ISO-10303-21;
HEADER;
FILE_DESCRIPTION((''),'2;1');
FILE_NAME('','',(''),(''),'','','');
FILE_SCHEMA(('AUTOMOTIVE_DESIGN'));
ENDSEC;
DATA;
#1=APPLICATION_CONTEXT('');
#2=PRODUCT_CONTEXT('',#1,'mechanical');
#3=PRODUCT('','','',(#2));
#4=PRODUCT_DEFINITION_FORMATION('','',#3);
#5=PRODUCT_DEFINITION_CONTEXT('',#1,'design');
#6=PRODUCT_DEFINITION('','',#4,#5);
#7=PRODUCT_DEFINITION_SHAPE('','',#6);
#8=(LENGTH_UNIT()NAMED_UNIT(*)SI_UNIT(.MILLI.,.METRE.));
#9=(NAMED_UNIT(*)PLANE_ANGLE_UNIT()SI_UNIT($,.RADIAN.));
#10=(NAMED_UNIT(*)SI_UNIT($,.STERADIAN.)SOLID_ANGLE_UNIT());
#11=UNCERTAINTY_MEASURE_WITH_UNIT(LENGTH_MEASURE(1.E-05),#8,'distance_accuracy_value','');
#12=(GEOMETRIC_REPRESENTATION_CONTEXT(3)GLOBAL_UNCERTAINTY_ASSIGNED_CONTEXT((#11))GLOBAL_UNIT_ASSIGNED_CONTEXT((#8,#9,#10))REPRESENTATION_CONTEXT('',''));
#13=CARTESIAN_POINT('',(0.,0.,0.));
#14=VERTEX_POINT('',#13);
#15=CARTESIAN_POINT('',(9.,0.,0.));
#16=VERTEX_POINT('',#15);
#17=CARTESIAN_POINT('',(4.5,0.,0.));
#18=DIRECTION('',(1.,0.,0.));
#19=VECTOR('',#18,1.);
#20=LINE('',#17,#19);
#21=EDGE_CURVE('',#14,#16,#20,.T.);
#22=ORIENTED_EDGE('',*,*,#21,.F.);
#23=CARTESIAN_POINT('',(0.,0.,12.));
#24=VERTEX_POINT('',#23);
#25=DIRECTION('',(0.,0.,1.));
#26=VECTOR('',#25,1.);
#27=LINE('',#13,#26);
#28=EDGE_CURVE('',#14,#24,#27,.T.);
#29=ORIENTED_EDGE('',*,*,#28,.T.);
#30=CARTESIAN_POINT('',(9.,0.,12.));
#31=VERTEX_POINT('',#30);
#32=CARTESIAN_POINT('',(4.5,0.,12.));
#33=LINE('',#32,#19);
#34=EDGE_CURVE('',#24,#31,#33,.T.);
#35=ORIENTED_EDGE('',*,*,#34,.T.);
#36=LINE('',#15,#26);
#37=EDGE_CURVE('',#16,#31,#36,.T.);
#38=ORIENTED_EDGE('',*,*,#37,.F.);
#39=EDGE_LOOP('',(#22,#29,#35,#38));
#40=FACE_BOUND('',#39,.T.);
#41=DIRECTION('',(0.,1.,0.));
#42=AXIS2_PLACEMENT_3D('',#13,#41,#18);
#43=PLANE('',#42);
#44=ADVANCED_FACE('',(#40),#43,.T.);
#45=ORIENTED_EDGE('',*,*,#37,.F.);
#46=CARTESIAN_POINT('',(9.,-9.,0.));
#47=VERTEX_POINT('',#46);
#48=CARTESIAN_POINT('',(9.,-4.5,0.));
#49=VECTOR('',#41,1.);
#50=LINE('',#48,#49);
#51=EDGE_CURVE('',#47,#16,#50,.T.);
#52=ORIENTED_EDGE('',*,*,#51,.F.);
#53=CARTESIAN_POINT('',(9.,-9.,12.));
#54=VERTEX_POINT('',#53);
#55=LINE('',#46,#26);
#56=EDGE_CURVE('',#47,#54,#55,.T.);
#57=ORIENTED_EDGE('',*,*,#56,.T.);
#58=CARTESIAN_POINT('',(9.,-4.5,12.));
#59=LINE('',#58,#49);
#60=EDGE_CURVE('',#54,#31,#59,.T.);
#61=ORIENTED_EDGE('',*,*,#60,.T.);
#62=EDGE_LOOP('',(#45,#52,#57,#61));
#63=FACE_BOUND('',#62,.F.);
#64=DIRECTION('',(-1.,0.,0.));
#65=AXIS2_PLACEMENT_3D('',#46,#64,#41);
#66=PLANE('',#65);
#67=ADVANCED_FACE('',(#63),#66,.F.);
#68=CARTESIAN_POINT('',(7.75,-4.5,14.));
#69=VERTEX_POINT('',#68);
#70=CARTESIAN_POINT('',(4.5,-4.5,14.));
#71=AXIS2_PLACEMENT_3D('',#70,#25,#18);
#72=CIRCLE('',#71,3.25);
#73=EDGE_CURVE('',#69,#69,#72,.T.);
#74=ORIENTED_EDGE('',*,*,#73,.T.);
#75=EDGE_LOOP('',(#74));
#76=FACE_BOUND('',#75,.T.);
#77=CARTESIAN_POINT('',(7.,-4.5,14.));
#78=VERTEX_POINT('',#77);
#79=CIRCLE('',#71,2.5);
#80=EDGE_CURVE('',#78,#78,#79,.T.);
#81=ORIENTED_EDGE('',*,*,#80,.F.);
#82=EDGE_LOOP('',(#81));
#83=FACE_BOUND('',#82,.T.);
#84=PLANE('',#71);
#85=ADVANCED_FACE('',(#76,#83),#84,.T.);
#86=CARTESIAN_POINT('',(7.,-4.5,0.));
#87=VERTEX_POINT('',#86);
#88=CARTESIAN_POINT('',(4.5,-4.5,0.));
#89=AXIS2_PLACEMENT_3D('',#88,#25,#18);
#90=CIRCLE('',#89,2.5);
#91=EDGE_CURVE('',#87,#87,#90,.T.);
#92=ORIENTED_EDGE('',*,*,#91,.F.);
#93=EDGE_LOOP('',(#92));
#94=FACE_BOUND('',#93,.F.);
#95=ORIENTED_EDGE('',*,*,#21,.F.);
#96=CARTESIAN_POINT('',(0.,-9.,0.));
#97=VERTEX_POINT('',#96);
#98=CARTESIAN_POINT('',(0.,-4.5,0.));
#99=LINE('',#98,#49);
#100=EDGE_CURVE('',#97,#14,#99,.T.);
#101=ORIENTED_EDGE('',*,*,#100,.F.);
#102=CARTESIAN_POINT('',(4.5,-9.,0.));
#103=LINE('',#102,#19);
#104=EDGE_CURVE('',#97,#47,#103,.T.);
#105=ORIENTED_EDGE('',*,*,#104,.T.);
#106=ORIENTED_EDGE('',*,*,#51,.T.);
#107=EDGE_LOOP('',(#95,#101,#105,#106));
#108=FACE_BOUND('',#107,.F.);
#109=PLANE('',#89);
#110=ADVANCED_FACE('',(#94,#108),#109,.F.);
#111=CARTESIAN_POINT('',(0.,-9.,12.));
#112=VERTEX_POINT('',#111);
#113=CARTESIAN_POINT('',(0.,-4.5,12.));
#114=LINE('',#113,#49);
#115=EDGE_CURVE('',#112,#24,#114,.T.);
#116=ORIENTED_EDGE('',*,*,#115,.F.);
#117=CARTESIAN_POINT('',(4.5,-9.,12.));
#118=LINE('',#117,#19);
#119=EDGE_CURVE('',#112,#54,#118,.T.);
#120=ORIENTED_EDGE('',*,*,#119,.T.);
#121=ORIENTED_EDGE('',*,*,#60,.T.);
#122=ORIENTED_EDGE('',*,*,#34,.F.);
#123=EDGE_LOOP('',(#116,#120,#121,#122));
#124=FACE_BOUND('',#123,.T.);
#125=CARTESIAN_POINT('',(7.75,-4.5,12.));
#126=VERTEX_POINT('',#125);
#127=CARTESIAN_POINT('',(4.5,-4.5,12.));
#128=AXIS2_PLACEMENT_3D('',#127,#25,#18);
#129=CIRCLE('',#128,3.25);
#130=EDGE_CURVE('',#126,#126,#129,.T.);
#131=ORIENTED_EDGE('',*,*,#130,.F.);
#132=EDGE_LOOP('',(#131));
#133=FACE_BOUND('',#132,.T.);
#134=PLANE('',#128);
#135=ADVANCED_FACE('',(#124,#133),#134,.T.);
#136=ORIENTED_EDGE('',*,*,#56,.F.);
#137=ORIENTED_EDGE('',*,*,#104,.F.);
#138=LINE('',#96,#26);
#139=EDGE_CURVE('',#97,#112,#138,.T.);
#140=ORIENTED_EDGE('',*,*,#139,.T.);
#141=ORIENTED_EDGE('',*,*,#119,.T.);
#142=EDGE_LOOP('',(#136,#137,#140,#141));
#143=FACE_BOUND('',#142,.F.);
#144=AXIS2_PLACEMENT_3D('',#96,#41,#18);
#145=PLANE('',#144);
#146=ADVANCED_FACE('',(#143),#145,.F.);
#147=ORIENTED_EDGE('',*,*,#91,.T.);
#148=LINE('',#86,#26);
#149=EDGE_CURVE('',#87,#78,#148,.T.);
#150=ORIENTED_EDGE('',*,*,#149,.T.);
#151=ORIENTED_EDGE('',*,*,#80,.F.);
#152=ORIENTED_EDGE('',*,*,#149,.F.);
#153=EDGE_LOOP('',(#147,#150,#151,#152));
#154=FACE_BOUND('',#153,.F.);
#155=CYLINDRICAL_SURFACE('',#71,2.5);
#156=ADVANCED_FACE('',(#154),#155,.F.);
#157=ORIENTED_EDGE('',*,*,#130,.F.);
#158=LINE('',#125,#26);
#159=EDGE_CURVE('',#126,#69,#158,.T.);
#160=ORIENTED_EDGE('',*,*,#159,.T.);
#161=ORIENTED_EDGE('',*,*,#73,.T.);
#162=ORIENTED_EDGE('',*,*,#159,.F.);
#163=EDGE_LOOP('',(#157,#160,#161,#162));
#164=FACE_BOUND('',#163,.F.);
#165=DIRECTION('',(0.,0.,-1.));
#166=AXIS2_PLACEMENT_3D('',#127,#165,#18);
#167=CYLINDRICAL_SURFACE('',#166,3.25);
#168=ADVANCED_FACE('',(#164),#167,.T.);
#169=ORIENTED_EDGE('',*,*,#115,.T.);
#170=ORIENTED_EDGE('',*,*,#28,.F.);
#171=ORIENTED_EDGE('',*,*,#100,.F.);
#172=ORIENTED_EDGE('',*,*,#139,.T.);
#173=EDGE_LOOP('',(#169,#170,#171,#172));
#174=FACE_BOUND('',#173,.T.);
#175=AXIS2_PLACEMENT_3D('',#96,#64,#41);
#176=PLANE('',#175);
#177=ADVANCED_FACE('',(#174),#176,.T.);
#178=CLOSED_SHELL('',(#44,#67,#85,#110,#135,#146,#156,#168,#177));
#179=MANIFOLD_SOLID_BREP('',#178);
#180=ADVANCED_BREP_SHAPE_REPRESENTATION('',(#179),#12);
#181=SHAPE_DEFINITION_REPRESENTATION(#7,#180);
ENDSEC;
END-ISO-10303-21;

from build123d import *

# Parameters (mm, degrees)
SKETCH_W     = 9
SKETCH_H     = 9
SKETCH_R     = 2.5
PAD_DEPTH    = 12
SKETCH001_R  = 3.25
PAD001_DEPTH = 2
SKETCH002_R  = 2.5
POCKET_DEPTH = 2


with BuildPart() as part:
    # Sketch → Pad (new body)
    with BuildSketch(Plane.XY):
        with Locations((4.5, -4.5)):
            Rectangle(SKETCH_W, SKETCH_H)
        with Locations((4.5, -4.5)):
            Circle(SKETCH_R, mode=Mode.SUBTRACT)
    extrude(amount=PAD_DEPTH)

    # Sketch001 (on Face7 of Pad) → Pad001 (join)
    with BuildSketch(Plane.XY.offset(12)):
        with Locations((4.5, -4.5)):
            Circle(SKETCH001_R)
    extrude(amount=PAD001_DEPTH)

    # Sketch002 (on Face10 of Pad001) → Pocket (cut)
    with BuildSketch(Plane.XY.offset(14)):
        with Locations((4.5, -4.5)):
            Circle(SKETCH002_R)
    extrude(amount=-POCKET_DEPTH, mode=Mode.SUBTRACT)


solid = part.part
